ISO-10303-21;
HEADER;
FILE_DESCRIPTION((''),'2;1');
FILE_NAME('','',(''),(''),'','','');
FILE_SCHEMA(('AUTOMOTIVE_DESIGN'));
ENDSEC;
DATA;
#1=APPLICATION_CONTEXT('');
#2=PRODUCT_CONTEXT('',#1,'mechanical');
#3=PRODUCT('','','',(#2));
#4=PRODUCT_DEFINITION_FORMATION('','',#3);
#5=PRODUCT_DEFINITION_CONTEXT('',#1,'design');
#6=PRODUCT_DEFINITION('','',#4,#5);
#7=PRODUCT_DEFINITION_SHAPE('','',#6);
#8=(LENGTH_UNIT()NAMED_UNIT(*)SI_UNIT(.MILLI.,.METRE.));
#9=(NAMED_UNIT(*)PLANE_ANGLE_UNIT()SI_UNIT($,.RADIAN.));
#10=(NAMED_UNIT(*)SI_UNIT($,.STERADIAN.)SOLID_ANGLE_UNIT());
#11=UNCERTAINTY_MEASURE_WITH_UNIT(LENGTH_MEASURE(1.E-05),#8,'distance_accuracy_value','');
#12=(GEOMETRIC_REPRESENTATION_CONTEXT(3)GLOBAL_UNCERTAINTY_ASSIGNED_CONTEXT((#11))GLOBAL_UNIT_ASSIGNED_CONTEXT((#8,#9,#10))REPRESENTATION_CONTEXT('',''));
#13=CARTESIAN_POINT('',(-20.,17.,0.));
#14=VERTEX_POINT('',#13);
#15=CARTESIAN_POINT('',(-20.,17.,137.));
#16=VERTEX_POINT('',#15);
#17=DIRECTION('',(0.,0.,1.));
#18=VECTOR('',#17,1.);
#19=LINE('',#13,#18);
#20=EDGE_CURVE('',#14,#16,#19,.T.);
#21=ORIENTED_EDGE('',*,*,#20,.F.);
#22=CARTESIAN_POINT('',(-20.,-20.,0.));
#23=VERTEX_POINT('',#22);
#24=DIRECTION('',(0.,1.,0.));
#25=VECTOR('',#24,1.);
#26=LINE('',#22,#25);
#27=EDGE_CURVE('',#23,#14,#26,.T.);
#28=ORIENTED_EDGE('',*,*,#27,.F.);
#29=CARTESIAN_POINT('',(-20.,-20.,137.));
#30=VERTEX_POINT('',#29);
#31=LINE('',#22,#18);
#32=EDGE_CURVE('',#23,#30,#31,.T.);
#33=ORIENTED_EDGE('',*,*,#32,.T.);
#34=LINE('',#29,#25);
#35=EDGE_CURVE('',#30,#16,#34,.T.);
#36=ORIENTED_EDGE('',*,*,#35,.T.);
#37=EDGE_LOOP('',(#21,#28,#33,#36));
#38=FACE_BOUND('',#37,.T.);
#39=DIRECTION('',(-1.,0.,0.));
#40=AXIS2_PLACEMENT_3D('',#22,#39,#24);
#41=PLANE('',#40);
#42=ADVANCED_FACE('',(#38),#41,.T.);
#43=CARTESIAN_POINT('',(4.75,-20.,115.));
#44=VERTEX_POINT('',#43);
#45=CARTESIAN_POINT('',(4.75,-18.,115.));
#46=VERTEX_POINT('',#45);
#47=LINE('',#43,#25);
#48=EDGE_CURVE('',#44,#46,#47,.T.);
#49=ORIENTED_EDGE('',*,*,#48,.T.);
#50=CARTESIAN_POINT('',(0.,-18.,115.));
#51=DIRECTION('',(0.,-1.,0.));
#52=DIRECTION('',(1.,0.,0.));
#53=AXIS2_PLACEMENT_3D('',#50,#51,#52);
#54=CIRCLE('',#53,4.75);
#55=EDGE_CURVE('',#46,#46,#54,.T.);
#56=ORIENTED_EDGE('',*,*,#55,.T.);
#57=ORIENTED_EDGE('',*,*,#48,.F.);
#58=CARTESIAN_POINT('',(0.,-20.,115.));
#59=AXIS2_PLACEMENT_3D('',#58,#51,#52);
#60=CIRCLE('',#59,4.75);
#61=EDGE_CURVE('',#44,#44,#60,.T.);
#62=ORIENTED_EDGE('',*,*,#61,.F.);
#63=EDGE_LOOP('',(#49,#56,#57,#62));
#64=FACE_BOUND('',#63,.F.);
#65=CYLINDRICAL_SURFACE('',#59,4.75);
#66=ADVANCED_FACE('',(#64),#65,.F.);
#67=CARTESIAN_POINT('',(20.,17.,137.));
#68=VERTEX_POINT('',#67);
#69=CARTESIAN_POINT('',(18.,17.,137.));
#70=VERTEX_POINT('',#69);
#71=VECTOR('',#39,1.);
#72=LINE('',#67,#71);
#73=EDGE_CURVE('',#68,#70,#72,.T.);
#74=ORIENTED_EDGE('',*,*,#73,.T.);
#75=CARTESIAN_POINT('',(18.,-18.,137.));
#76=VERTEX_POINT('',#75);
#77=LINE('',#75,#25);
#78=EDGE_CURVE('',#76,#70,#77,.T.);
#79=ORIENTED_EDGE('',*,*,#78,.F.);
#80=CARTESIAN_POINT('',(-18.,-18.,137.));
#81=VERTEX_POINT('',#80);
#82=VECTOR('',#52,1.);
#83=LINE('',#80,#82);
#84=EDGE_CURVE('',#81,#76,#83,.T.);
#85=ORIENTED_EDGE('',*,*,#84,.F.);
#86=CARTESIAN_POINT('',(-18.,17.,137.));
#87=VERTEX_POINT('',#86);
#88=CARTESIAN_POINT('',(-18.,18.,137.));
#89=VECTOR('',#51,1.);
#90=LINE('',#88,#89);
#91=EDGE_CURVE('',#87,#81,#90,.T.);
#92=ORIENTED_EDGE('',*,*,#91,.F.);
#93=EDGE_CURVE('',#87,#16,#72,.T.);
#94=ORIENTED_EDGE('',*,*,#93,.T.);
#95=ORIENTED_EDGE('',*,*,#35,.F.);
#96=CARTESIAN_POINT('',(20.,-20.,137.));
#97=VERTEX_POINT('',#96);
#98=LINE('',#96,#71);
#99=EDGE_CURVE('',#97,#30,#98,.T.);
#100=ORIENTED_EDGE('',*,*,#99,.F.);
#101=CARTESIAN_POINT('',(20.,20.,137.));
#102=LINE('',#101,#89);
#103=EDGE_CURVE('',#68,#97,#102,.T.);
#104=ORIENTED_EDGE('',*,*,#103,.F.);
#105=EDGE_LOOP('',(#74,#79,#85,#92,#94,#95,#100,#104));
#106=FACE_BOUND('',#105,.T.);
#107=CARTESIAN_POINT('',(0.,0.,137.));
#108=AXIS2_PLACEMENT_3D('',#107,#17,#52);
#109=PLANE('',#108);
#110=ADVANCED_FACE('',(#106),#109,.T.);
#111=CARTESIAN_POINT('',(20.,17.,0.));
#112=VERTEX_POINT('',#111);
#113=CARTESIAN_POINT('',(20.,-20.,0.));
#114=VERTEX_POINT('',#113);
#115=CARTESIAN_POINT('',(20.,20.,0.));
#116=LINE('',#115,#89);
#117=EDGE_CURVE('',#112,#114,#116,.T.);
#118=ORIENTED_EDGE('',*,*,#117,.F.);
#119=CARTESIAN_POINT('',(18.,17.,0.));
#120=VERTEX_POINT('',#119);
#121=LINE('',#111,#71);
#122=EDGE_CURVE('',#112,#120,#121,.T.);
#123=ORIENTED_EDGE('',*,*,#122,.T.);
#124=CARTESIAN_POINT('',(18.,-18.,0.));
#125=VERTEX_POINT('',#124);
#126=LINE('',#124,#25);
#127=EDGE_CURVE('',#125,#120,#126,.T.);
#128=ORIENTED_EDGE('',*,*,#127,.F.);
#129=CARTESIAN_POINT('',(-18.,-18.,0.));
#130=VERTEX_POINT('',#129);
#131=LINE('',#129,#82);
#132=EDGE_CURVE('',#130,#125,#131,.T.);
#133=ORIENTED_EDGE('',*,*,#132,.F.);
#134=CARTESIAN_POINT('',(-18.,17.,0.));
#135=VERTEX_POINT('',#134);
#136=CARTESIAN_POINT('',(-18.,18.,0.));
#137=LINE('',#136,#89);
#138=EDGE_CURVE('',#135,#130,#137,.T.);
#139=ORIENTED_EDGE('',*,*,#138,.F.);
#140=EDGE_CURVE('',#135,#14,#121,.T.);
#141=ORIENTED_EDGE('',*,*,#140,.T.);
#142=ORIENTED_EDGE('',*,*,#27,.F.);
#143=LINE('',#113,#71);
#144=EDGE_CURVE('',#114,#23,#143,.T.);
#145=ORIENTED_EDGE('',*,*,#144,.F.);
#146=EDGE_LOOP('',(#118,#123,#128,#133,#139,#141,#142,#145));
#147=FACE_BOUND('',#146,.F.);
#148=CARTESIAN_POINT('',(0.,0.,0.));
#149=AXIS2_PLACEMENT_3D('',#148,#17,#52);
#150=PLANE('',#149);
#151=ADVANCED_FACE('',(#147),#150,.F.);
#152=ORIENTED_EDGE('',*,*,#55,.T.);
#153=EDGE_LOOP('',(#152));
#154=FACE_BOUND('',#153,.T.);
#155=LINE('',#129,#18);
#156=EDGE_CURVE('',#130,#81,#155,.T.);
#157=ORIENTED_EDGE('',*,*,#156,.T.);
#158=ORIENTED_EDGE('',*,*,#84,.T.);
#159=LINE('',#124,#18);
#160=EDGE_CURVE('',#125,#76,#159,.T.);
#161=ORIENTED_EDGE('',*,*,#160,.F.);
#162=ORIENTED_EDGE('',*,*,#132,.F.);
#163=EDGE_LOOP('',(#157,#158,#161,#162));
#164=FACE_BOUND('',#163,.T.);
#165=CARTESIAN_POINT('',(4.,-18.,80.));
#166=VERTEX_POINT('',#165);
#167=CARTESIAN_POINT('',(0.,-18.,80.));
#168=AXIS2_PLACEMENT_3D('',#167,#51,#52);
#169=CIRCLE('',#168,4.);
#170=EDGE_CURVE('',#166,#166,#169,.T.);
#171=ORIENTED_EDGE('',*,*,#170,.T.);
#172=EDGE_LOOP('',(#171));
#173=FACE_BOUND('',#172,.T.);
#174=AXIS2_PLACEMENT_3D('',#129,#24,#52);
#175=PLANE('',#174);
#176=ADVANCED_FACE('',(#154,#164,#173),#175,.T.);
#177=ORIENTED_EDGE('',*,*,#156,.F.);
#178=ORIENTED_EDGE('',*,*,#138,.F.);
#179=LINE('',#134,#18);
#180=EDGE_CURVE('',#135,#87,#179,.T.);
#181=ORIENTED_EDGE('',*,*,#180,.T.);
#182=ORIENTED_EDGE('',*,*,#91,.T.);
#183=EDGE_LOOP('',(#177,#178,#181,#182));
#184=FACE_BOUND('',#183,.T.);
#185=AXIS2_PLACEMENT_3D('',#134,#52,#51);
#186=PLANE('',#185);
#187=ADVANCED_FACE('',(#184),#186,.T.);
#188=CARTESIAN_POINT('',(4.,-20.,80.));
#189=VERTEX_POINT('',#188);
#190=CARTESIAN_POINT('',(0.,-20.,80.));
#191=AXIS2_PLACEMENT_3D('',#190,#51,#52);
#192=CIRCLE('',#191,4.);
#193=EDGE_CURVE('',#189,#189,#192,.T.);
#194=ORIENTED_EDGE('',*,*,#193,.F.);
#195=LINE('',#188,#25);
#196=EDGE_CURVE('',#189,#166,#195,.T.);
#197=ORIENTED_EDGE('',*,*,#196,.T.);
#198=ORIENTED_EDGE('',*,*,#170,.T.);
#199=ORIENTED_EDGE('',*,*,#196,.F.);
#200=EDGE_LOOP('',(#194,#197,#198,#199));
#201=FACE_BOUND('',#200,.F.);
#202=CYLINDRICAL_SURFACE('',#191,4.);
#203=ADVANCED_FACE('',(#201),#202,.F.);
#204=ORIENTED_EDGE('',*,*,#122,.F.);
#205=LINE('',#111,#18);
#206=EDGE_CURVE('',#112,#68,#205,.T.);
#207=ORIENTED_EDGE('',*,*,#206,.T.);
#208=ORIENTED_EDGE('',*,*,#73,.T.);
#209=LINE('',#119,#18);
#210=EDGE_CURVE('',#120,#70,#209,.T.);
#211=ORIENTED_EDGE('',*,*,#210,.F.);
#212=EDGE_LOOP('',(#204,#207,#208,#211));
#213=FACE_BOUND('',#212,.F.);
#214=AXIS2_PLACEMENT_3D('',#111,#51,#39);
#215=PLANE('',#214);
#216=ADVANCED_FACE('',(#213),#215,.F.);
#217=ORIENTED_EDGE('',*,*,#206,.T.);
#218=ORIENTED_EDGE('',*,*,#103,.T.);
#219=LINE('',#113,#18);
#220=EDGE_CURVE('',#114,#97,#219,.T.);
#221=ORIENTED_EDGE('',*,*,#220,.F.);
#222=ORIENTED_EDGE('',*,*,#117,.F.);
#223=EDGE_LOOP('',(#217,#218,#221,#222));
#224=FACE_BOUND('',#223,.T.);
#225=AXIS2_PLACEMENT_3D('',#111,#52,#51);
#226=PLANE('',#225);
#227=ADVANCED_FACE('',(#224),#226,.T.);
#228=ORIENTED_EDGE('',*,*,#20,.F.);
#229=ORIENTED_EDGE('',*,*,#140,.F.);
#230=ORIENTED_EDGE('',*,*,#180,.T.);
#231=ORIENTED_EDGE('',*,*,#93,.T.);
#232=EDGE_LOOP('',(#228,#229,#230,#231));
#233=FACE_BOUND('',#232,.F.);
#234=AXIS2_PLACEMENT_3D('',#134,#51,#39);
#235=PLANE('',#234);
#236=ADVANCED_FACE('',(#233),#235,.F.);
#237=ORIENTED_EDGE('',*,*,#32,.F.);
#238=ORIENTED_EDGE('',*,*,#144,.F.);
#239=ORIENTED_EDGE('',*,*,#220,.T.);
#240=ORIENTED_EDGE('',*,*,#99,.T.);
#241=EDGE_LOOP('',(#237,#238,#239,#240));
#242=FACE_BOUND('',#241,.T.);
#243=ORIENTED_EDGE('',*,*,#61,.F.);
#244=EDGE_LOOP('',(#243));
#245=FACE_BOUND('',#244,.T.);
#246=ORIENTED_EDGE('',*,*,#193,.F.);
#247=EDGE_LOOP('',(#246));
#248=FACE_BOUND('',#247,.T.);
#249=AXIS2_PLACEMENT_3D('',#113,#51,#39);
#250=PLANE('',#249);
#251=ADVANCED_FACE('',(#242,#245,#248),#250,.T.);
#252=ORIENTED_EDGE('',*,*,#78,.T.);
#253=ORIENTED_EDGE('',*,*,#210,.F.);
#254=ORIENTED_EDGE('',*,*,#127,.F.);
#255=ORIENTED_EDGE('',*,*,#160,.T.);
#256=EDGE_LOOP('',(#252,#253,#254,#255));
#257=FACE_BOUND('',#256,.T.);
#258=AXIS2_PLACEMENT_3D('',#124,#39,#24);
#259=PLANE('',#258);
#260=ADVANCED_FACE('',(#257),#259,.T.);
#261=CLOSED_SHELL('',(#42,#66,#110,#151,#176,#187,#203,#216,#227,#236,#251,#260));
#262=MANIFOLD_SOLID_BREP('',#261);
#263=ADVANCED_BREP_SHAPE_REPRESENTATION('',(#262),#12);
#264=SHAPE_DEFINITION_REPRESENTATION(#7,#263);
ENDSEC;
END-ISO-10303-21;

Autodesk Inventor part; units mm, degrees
ref_plane "YZ Plane" through (0, 0, 0) normal (1, 0, 0) x (0, 1, 0)
ref_plane "XZ Plane" through (0, 0, 0) normal (0, 1, 0) x (-1, 0, 0)
ref_plane "XY Plane" through (0, 0, 0) normal (0, 0, 1) x (1, 0, 0)
sketch "Sketch1" plane through (0, 0, 0) normal (0, 0, 1) x (1, 0, 0)
  line L0 (-20, 20) -> (20, 20)
  line L1 (20, 20) -> (20, -20)
  line L2 (20, -20) -> (-20, -20)
  line L3 (-20, -20) -> (-20, 20)
  line L4 (-20, 20) -> (20, -20) construction
  line L5 (20, 20) -> (-20, -20) construction
  line L6 (-18, -18) -> (18, -18)
  line L7 (18, -18) -> (18, 18)
  line L8 (18, 18) -> (-18, 18)
  line L9 (-18, 18) -> (-18, -18)
  line L10 (-18, -18) -> (18, 18) construction
  line L11 (18, -18) -> (-18, 18) construction
  line L12 (-20, 20) -> (20, 20)
  line L13 (20, 20) -> (20, 17)
  line L14 (20, 17) -> (-20, 17)
  line L15 (-20, 17) -> (-20, 20)
  point P0 (0, 0)
  dimension "d0" = 40
  dimension "d1" = 40
  dimension "d2" = 36
  dimension "d3" = 36
  dimension "d6" = 35
extrude "Extrusion2" add sketch "Sketch1" along normal blind 137 contours L14 L9 L6 L7 L1 L2 L3
sketch "Sketch2" plane through (-20, -20, 0) normal (0, -1, 0) x (1, 0, 0)
  circle A0 centre (20, 80) radius 4
  line L0 (20, 0) -> (20, 151.5414) construction
  circle A1 centre (20, 115) radius 4.75
  line L1 (0, 0) -> (40, 0) projected
  dimension "d9" = 8
  dimension "d11" = 9.5
  dimension "d12" = 80
  dimension "d15" = 35
extrude "Extrusion3" cut sketch "Sketch2" against normal through all
properties part number "motor_base"
